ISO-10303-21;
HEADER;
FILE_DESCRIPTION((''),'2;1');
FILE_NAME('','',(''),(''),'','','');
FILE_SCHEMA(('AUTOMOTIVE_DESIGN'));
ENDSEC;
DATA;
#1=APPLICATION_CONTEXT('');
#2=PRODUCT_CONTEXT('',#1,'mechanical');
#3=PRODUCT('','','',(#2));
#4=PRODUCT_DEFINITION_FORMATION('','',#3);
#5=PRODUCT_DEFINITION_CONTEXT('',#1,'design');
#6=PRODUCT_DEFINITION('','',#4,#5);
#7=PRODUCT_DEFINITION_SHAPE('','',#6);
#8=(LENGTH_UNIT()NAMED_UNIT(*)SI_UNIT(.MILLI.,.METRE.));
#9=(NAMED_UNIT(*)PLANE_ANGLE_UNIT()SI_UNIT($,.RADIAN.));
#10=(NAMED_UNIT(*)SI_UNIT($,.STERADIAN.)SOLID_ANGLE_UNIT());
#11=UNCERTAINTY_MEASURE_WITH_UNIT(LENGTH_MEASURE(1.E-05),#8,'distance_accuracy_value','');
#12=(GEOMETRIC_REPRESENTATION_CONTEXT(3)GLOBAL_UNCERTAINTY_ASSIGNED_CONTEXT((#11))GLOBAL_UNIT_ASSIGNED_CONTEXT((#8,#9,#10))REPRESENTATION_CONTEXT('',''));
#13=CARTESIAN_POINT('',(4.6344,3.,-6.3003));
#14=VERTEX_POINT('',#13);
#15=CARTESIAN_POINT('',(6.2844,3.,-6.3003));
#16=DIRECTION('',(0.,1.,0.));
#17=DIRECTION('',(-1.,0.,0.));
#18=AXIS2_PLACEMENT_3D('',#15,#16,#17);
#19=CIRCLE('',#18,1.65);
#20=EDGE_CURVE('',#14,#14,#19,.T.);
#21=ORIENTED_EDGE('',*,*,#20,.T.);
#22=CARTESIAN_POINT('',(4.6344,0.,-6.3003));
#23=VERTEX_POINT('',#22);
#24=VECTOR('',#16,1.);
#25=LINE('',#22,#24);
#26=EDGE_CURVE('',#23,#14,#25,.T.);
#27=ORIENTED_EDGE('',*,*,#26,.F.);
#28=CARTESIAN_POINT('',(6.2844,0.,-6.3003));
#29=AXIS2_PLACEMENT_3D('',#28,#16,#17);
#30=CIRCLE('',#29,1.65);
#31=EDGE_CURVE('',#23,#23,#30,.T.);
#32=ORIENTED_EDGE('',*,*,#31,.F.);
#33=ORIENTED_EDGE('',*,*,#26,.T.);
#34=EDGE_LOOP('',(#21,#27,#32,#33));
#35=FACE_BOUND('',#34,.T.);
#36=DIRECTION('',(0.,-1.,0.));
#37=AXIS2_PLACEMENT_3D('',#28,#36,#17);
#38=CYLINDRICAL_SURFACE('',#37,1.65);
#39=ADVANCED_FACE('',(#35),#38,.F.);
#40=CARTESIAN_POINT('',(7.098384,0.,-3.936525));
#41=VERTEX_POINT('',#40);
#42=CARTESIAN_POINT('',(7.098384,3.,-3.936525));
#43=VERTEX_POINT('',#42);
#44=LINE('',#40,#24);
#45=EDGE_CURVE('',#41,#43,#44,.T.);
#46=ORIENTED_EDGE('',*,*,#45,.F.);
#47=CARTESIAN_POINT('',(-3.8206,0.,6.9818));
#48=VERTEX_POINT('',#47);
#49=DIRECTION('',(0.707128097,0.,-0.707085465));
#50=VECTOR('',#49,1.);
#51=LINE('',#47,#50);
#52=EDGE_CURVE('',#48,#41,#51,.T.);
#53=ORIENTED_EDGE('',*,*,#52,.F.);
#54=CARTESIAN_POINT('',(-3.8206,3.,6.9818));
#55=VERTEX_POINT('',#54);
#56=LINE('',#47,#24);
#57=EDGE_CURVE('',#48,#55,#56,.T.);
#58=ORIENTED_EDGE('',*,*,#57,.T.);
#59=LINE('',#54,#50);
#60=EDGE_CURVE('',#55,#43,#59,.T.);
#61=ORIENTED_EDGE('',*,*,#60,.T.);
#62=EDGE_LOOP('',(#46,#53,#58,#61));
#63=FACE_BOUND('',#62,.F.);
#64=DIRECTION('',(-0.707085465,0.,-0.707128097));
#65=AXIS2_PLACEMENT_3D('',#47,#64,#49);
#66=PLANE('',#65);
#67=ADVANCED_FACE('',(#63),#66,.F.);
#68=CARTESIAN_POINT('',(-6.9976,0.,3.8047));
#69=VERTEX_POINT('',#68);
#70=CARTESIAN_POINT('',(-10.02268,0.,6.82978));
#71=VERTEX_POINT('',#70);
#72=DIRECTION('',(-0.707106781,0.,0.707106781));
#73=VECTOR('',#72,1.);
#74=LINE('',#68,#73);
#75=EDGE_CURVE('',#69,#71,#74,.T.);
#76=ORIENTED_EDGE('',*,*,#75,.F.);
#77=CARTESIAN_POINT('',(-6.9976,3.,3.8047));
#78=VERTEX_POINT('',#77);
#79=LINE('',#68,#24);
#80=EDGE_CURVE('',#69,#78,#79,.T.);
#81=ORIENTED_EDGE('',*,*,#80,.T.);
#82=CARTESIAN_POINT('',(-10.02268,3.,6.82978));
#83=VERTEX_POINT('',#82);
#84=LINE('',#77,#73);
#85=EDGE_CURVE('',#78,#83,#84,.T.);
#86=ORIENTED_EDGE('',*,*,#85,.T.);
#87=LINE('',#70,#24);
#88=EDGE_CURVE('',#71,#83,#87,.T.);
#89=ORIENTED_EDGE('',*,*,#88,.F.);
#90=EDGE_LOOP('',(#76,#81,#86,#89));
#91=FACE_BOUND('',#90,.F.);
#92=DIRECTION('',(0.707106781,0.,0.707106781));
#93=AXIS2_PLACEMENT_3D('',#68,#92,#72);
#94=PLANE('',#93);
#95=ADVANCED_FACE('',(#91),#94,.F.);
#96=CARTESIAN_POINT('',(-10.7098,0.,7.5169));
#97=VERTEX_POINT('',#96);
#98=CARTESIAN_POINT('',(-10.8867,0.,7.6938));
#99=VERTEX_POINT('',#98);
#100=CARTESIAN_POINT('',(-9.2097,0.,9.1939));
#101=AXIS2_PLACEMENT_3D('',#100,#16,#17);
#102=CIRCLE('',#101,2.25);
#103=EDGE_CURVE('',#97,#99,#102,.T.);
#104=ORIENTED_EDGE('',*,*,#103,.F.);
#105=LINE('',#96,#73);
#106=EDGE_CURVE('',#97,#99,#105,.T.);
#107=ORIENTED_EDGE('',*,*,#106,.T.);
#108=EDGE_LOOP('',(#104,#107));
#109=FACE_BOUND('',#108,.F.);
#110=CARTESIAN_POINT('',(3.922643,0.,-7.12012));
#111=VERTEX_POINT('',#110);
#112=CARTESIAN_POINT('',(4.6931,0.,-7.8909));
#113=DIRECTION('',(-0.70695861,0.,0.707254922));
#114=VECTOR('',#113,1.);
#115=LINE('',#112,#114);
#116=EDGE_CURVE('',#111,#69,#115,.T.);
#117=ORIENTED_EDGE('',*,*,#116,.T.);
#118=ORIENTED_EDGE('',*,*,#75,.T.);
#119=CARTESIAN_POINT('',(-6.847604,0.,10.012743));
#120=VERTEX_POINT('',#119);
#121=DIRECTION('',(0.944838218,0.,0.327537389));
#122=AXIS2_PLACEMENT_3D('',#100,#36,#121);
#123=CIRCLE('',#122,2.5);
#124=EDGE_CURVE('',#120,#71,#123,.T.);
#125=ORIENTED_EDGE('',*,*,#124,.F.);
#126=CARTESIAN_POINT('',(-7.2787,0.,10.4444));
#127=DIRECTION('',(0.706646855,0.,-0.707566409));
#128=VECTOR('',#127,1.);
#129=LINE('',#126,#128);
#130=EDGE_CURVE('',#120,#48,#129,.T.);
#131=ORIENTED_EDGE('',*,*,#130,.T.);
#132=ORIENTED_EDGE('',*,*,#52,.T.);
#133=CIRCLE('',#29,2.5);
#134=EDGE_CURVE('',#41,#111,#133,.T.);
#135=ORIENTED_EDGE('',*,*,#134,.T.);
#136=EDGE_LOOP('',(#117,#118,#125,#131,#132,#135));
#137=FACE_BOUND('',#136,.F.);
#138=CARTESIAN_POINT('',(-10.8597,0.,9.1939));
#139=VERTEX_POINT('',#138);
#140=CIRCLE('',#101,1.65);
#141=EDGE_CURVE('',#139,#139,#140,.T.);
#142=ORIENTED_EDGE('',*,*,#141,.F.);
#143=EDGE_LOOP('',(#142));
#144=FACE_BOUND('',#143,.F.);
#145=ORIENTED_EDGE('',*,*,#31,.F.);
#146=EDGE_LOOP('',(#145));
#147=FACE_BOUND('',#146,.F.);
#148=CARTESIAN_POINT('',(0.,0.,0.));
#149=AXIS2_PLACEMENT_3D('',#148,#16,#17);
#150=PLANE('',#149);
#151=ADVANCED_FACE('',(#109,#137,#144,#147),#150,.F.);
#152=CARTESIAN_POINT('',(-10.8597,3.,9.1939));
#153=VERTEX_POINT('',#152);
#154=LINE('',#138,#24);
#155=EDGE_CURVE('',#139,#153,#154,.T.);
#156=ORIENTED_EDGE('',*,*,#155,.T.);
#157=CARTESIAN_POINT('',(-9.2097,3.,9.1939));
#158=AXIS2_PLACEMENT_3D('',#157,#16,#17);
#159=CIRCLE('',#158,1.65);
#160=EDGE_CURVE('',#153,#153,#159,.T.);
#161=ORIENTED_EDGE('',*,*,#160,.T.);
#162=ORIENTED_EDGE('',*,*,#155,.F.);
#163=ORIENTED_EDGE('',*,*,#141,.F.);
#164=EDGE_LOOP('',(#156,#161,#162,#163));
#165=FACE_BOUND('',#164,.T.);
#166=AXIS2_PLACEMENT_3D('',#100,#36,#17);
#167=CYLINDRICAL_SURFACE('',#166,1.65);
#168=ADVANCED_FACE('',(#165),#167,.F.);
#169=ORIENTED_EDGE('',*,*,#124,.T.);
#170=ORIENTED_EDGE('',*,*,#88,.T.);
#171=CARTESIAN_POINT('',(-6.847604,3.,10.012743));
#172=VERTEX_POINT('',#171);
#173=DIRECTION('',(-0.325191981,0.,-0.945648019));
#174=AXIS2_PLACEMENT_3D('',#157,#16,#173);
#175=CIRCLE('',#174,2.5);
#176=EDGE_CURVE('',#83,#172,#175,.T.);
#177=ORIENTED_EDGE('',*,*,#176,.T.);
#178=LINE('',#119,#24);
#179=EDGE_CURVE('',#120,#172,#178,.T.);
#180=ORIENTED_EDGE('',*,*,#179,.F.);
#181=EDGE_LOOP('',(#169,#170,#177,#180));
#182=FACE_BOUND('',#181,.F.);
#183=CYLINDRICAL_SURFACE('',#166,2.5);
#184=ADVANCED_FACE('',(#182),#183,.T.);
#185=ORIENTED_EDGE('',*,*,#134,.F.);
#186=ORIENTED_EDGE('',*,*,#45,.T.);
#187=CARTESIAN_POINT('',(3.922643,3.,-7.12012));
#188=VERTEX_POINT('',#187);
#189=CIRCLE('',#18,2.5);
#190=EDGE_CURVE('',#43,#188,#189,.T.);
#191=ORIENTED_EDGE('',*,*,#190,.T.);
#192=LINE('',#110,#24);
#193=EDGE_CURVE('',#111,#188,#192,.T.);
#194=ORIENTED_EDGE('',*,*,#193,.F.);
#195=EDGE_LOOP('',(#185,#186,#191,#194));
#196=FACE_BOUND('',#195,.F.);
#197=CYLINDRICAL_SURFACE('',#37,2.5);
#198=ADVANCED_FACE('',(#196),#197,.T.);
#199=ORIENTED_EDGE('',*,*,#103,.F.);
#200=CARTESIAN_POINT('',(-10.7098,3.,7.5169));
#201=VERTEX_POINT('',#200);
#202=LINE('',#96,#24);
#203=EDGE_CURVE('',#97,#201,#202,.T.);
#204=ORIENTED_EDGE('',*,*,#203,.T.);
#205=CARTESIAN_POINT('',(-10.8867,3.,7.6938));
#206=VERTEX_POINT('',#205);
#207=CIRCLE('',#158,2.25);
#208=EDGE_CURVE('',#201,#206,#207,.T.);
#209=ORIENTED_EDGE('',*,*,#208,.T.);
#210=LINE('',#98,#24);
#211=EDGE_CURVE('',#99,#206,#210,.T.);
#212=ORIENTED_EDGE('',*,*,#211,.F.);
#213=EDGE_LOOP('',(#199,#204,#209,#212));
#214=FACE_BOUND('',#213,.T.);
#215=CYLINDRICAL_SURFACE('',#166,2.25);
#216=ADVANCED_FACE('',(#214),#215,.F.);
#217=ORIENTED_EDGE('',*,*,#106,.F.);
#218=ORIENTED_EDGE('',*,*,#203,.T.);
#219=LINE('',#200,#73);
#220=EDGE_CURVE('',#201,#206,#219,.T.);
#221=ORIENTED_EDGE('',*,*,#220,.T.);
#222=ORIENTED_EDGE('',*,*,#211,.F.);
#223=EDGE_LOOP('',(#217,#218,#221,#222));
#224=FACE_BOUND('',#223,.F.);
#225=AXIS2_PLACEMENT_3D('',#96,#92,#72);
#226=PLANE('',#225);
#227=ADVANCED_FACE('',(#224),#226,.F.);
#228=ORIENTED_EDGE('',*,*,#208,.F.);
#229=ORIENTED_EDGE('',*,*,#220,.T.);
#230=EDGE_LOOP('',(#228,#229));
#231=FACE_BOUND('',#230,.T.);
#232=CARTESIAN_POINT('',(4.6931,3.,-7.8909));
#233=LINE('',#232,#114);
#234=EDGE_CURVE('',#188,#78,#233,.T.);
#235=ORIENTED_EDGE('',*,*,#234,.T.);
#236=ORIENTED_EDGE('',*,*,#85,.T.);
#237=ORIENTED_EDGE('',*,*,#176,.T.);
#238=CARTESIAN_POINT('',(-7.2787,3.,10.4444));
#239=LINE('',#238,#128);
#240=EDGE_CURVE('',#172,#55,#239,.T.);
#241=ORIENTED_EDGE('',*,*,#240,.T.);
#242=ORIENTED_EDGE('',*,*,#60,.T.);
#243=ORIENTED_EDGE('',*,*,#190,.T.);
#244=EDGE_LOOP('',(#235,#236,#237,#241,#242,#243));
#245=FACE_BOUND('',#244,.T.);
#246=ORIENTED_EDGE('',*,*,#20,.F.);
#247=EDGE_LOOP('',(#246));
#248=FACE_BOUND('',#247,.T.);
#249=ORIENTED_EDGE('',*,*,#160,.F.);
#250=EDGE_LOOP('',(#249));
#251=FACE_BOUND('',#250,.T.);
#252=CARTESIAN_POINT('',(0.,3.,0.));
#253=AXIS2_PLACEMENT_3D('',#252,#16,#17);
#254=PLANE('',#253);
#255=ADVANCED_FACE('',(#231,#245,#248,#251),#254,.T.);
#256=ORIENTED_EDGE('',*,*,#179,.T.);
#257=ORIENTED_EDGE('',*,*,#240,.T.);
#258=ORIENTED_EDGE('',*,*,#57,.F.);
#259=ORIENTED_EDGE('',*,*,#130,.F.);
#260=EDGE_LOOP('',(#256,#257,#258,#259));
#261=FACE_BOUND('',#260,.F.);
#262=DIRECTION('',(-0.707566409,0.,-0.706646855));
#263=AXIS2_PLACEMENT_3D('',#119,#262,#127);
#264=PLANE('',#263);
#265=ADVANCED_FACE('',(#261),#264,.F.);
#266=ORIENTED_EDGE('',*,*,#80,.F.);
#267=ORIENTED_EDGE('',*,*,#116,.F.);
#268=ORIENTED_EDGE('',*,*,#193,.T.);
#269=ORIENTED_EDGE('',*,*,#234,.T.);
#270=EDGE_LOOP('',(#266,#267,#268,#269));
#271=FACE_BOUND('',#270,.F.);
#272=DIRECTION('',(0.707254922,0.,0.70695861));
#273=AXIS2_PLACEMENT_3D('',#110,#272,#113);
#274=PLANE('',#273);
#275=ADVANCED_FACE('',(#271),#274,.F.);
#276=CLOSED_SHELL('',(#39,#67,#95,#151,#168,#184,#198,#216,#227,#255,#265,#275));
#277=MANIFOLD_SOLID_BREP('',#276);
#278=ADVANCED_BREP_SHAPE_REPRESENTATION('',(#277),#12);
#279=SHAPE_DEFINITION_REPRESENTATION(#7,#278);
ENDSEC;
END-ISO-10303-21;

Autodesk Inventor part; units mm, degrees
ref_plane "YZ Plane" through (0, 0, 0) normal (1, 0, 0) x (0, 1, 0)
ref_plane "XZ Plane" through (0, 0, 0) normal (0, 1, 0) x (-1, 0, 0)
ref_plane "XY Plane" through (0, 0, 0) normal (0, 0, 1) x (1, 0, 0)
sketch "Sketch1" plane through (0, 0, 0) normal (0, 1, 0) x (-1, 0, 0)
  arc A0 (-7.7903, -4.6284) -> (-4.6931, -7.8909) centre (-6.2844, -6.3003) ccw
  arc A1 (-7.7903, -4.6284) -> (-4.6931, -7.8909) centre (-6.2844, -6.3003) ccw
  circle A2 centre (9.2097, 9.1939) radius 1.65
  circle A3 centre (-6.2844, -6.3003) radius 1.65
  arc A4 (-7.7903, -4.6284) -> (-4.6931, -7.8909) centre (-6.2844, -6.3003) ccw
  line L0 (3.8206, 6.9818) -> (-7.7903, -4.6284)
  line L1 (7.2787, 10.4444) -> (3.8206, 6.9818)
  arc A5 (7.3269, 10.4258) -> (7.2787, 10.4444) centre (5.3206, 5.3048) ccw
  arc A6 (10.8867, 7.6938) -> (7.3269, 10.4258) centre (9.2097, 9.1939) ccw
  line L2 (10.7098, 7.5169) -> (10.8867, 7.6938)
  arc A7 (10.4416, 7.3111) -> (10.7098, 7.5169) centre (9.2097, 9.1939) ccw
  arc A8 (10.459, 7.2661) -> (10.4416, 7.3111) centre (5.3206, 5.3048) ccw
  line L3 (6.9976, 3.8047) -> (10.459, 7.2661)
  line L4 (-4.6931, -7.8909) -> (6.9976, 3.8047)
  circle A9 centre (-6.2844, -6.3003) radius 1.75
  arc A10 (-7.7903, -4.6284) -> (-4.6931, -7.8909) centre (-6.2844, -6.3003) ccw
  line L5 (-4.6931, -7.8909) -> (6.9976, 3.8047)
  line L6 (6.9976, 3.8047) -> (10.459, 7.2661)
  arc A11 (10.459, 7.2661) -> (10.4416, 7.3111) centre (5.3206, 5.3048) ccw
  arc A12 (10.4416, 7.3111) -> (10.7098, 7.5169) centre (9.2097, 9.1939) ccw
  line L7 (10.7098, 7.5169) -> (10.8867, 7.6938)
  arc A13 (10.8867, 7.6938) -> (7.3269, 10.4258) centre (9.2097, 9.1939) ccw
  arc A14 (7.3269, 10.4258) -> (7.2787, 10.4444) centre (5.3206, 5.3048) ccw
  line L8 (7.2787, 10.4444) -> (3.8206, 6.9818)
  line L9 (3.8206, 6.9818) -> (-7.7903, -4.6284)
  line L10 (3.8206, 6.9818) -> (-7.7903, -4.6284)
  line L11 (3.8206, 6.9818) -> (-7.7903, -4.6284)
  line L12 (3.8206, 6.9818) -> (-7.7903, -4.6284)
  line L13 (3.8206, 6.9818) -> (-7.7903, -4.6284)
  line L14 (-4.6931, -7.8909) -> (6.9976, 3.8047)
  line L15 (-4.6931, -7.8909) -> (6.9976, 3.8047)
  line L16 (-4.6931, -7.8909) -> (6.9976, 3.8047)
  line L17 (-4.6931, -7.8909) -> (6.9976, 3.8047)
  circle A15 centre (-6.2844, -6.3003) radius 1.75
  circle A16 centre (-6.2844, -6.3003) radius 1.75
  circle A17 centre (-6.2844, -6.3003) radius 1.75
  circle A18 centre (-6.2844, -6.3003) radius 1.75
  arc A19 (-7.7903, -4.6284) -> (-4.6931, -7.8909) centre (-6.2844, -6.3003) ccw
  arc A20 (-7.7903, -4.6284) -> (-4.6931, -7.8909) centre (-6.2844, -6.3003) ccw
  line L18 (7.2787, 10.4444) -> (3.8206, 6.9818)
  line L19 (7.2787, 10.4444) -> (3.8206, 6.9818)
  line L20 (7.2787, 10.4444) -> (3.8206, 6.9818)
  line L21 (7.2787, 10.4444) -> (3.8206, 6.9818)
  line L22 (6.9976, 3.8047) -> (10.459, 7.2661)
  line L23 (6.9976, 3.8047) -> (10.459, 7.2661)
  line L24 (6.9976, 3.8047) -> (10.459, 7.2661)
  line L25 (6.9976, 3.8047) -> (10.459, 7.2661)
  arc A21 (7.3269, 10.4258) -> (7.2787, 10.4444) centre (5.3206, 5.3048) ccw
  arc A22 (7.3269, 10.4258) -> (7.2787, 10.4444) centre (5.3206, 5.3048) ccw
  arc A23 (10.459, 7.2661) -> (10.4416, 7.3111) centre (5.3206, 5.3048) ccw
  arc A24 (10.459, 7.2661) -> (10.4416, 7.3111) centre (5.3206, 5.3048) ccw
  arc A25 (10.459, 7.2661) -> (10.4416, 7.3111) centre (5.3206, 5.3048) ccw
  arc A26 (10.459, 7.2661) -> (10.4416, 7.3111) centre (5.3206, 5.3048) ccw
  arc A27 (10.4416, 7.3111) -> (10.7098, 7.5169) centre (9.2097, 9.1939) ccw
  arc A28 (10.4416, 7.3111) -> (10.7098, 7.5169) centre (9.2097, 9.1939) ccw
  arc A29 (10.4416, 7.3111) -> (10.7098, 7.5169) centre (9.2097, 9.1939) ccw
  arc A30 (10.4416, 7.3111) -> (10.7098, 7.5169) centre (9.2097, 9.1939) ccw
  line L26 (10.7098, 7.5169) -> (10.8867, 7.6938)
  line L27 (10.7098, 7.5169) -> (10.8867, 7.6938)
  arc A31 (7.3269, 10.4258) -> (7.2787, 10.4444) centre (5.3206, 5.3048) ccw
  line L28 (10.7098, 7.5169) -> (10.8867, 7.6938)
  arc A32 (10.8867, 7.6938) -> (7.3269, 10.4258) centre (9.2097, 9.1939) ccw
  arc A33 (10.8867, 7.6938) -> (7.3269, 10.4258) centre (9.2097, 9.1939) ccw
  arc A34 (10.8867, 7.6938) -> (7.3269, 10.4258) centre (9.2097, 9.1939) ccw
  arc A35 (10.8867, 7.6938) -> (7.3269, 10.4258) centre (9.2097, 9.1939) ccw
  line L29 (10.7098, 7.5169) -> (10.8867, 7.6938)
  circle A36 centre (9.2097, 9.1939) radius 1.75
  arc A37 (7.3269, 10.4258) -> (7.2787, 10.4444) centre (5.3206, 5.3048) ccw
  circle A38 centre (-6.2844, -6.3003) radius 1.75
  circle A39 centre (-6.2844, -6.3003) radius 2.5
  circle A40 centre (9.2097, 9.1939) radius 2.5
  circle A41 centre (-6.2844, -6.3003) radius 2.5
  circle A42 centre (9.2097, 9.1939) radius 2.25
  point P0 (0, 0)
  point P1 (-12.3012, -12.317)
  point P2 (10.0226, 6.8297)
  point P3 (6.8476, 10.0128)
  point P4 (-7.0982, -3.9364)
  point P5 (-3.9227, -7.1202)
  dimension "d0" = 5
  dimension "d1" = 5
  dimension "d4" = 3.3
  dimension "d5" = 3.3
extrude "Extrusion1" add sketch "Sketch1" along normal blind 3 contours L0 A39 L4 A0 | A0 L4 A39 L0 | L0 L1 A40 L3 L4 A39 | A40 L3 A8 A7 A42 A6 A5 L1 | L1 A5 A42 A8 L3 A40 | A6 L2 A7 A42 | A9 | A36
properties part number "LINKV2"
